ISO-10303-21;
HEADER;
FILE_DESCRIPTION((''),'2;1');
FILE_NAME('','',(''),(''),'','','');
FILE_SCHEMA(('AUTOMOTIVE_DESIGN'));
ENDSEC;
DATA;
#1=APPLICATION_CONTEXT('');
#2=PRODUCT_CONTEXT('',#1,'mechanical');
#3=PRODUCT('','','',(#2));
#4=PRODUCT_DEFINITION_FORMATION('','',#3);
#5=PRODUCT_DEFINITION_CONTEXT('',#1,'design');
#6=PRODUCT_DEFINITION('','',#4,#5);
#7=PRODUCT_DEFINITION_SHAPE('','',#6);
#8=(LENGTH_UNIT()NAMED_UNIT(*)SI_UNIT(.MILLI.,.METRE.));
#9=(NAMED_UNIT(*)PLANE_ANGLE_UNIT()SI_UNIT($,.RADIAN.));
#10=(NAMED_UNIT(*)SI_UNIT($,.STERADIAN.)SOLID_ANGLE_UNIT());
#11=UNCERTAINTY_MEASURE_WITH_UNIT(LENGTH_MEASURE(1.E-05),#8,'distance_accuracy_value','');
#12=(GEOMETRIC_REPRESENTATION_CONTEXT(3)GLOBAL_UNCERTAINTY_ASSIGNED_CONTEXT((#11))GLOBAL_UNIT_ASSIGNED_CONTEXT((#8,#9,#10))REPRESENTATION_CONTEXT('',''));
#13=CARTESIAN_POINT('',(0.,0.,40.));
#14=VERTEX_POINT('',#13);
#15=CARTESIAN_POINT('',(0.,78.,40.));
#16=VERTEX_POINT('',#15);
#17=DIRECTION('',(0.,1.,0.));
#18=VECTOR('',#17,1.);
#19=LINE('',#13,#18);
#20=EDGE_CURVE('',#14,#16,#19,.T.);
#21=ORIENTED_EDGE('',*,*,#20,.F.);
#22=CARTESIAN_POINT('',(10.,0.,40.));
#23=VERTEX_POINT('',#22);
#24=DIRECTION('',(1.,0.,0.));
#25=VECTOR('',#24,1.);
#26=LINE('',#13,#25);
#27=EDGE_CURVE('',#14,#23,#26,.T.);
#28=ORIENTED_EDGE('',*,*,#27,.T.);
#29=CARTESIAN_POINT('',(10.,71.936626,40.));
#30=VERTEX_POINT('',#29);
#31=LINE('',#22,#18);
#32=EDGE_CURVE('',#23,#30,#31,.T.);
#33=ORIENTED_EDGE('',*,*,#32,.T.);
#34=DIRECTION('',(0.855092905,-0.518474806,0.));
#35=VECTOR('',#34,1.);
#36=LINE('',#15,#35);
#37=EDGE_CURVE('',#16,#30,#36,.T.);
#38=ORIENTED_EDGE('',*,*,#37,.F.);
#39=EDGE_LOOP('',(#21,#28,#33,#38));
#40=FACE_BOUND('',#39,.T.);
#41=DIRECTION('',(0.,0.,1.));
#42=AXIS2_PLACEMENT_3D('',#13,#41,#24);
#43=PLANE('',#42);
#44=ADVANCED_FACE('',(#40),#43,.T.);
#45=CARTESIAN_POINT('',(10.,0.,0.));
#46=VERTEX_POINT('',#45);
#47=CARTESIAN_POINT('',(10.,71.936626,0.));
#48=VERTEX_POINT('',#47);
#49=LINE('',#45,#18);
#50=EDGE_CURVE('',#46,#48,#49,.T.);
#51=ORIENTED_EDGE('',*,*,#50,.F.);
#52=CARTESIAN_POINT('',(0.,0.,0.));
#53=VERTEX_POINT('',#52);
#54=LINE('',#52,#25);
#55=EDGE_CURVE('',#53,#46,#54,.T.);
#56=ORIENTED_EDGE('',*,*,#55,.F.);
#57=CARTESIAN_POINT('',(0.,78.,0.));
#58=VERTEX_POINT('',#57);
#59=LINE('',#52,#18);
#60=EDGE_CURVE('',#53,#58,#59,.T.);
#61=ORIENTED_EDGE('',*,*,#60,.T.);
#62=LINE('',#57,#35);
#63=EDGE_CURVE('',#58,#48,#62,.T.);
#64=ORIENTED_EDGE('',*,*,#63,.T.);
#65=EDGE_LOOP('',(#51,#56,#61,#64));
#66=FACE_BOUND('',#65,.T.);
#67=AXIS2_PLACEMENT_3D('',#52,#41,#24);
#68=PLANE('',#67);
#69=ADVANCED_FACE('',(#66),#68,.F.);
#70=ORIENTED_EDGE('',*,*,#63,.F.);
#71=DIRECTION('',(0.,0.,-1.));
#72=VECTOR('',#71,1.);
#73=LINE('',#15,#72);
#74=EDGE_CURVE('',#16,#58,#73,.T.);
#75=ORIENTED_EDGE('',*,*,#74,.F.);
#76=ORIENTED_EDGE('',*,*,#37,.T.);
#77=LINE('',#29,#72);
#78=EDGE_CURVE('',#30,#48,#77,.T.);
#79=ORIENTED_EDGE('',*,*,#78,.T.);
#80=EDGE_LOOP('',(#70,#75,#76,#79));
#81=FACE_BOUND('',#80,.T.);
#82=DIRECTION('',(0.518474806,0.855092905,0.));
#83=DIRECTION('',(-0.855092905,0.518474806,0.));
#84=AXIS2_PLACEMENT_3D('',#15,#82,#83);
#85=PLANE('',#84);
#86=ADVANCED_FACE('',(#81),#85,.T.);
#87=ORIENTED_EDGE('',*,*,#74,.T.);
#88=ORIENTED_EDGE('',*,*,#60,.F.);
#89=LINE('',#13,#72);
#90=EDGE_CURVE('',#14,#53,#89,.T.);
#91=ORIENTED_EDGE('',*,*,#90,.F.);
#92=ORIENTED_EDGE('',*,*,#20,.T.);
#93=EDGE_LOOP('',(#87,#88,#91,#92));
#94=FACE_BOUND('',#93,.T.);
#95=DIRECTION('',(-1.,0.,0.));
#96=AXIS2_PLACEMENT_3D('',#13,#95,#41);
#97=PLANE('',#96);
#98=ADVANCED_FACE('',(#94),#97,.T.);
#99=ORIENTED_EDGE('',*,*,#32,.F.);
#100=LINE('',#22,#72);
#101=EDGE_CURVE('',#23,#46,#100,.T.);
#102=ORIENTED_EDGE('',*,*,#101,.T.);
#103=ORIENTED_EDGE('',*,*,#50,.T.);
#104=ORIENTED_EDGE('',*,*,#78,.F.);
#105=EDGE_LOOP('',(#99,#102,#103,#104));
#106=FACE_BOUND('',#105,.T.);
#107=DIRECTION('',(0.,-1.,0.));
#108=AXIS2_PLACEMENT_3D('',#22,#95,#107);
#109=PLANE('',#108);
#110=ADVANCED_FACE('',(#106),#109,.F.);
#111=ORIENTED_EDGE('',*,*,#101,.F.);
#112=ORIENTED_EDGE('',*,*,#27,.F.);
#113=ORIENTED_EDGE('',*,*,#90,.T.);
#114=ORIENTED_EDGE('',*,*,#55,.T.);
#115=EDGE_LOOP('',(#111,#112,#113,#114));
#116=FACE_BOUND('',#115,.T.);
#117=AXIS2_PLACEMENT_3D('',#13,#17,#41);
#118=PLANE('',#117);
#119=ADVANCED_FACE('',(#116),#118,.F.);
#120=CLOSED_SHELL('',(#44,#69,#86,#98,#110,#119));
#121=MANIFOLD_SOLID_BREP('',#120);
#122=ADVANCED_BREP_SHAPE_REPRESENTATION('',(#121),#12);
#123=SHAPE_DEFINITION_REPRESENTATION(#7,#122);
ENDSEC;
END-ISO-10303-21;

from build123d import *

# Parameters (mm, degrees)
BOSS_EXTRUDE1_DEPTH = 40


with BuildPart() as part:
    # Sketch1 → Boss-Extrude1 (new body)
    with BuildSketch(Plane.XY):
        Polygon((0, 0), (0, 78), (10, 71.936626029), (10, 0), align=None)
    extrude(amount=BOSS_EXTRUDE1_DEPTH)


solid = part.part
